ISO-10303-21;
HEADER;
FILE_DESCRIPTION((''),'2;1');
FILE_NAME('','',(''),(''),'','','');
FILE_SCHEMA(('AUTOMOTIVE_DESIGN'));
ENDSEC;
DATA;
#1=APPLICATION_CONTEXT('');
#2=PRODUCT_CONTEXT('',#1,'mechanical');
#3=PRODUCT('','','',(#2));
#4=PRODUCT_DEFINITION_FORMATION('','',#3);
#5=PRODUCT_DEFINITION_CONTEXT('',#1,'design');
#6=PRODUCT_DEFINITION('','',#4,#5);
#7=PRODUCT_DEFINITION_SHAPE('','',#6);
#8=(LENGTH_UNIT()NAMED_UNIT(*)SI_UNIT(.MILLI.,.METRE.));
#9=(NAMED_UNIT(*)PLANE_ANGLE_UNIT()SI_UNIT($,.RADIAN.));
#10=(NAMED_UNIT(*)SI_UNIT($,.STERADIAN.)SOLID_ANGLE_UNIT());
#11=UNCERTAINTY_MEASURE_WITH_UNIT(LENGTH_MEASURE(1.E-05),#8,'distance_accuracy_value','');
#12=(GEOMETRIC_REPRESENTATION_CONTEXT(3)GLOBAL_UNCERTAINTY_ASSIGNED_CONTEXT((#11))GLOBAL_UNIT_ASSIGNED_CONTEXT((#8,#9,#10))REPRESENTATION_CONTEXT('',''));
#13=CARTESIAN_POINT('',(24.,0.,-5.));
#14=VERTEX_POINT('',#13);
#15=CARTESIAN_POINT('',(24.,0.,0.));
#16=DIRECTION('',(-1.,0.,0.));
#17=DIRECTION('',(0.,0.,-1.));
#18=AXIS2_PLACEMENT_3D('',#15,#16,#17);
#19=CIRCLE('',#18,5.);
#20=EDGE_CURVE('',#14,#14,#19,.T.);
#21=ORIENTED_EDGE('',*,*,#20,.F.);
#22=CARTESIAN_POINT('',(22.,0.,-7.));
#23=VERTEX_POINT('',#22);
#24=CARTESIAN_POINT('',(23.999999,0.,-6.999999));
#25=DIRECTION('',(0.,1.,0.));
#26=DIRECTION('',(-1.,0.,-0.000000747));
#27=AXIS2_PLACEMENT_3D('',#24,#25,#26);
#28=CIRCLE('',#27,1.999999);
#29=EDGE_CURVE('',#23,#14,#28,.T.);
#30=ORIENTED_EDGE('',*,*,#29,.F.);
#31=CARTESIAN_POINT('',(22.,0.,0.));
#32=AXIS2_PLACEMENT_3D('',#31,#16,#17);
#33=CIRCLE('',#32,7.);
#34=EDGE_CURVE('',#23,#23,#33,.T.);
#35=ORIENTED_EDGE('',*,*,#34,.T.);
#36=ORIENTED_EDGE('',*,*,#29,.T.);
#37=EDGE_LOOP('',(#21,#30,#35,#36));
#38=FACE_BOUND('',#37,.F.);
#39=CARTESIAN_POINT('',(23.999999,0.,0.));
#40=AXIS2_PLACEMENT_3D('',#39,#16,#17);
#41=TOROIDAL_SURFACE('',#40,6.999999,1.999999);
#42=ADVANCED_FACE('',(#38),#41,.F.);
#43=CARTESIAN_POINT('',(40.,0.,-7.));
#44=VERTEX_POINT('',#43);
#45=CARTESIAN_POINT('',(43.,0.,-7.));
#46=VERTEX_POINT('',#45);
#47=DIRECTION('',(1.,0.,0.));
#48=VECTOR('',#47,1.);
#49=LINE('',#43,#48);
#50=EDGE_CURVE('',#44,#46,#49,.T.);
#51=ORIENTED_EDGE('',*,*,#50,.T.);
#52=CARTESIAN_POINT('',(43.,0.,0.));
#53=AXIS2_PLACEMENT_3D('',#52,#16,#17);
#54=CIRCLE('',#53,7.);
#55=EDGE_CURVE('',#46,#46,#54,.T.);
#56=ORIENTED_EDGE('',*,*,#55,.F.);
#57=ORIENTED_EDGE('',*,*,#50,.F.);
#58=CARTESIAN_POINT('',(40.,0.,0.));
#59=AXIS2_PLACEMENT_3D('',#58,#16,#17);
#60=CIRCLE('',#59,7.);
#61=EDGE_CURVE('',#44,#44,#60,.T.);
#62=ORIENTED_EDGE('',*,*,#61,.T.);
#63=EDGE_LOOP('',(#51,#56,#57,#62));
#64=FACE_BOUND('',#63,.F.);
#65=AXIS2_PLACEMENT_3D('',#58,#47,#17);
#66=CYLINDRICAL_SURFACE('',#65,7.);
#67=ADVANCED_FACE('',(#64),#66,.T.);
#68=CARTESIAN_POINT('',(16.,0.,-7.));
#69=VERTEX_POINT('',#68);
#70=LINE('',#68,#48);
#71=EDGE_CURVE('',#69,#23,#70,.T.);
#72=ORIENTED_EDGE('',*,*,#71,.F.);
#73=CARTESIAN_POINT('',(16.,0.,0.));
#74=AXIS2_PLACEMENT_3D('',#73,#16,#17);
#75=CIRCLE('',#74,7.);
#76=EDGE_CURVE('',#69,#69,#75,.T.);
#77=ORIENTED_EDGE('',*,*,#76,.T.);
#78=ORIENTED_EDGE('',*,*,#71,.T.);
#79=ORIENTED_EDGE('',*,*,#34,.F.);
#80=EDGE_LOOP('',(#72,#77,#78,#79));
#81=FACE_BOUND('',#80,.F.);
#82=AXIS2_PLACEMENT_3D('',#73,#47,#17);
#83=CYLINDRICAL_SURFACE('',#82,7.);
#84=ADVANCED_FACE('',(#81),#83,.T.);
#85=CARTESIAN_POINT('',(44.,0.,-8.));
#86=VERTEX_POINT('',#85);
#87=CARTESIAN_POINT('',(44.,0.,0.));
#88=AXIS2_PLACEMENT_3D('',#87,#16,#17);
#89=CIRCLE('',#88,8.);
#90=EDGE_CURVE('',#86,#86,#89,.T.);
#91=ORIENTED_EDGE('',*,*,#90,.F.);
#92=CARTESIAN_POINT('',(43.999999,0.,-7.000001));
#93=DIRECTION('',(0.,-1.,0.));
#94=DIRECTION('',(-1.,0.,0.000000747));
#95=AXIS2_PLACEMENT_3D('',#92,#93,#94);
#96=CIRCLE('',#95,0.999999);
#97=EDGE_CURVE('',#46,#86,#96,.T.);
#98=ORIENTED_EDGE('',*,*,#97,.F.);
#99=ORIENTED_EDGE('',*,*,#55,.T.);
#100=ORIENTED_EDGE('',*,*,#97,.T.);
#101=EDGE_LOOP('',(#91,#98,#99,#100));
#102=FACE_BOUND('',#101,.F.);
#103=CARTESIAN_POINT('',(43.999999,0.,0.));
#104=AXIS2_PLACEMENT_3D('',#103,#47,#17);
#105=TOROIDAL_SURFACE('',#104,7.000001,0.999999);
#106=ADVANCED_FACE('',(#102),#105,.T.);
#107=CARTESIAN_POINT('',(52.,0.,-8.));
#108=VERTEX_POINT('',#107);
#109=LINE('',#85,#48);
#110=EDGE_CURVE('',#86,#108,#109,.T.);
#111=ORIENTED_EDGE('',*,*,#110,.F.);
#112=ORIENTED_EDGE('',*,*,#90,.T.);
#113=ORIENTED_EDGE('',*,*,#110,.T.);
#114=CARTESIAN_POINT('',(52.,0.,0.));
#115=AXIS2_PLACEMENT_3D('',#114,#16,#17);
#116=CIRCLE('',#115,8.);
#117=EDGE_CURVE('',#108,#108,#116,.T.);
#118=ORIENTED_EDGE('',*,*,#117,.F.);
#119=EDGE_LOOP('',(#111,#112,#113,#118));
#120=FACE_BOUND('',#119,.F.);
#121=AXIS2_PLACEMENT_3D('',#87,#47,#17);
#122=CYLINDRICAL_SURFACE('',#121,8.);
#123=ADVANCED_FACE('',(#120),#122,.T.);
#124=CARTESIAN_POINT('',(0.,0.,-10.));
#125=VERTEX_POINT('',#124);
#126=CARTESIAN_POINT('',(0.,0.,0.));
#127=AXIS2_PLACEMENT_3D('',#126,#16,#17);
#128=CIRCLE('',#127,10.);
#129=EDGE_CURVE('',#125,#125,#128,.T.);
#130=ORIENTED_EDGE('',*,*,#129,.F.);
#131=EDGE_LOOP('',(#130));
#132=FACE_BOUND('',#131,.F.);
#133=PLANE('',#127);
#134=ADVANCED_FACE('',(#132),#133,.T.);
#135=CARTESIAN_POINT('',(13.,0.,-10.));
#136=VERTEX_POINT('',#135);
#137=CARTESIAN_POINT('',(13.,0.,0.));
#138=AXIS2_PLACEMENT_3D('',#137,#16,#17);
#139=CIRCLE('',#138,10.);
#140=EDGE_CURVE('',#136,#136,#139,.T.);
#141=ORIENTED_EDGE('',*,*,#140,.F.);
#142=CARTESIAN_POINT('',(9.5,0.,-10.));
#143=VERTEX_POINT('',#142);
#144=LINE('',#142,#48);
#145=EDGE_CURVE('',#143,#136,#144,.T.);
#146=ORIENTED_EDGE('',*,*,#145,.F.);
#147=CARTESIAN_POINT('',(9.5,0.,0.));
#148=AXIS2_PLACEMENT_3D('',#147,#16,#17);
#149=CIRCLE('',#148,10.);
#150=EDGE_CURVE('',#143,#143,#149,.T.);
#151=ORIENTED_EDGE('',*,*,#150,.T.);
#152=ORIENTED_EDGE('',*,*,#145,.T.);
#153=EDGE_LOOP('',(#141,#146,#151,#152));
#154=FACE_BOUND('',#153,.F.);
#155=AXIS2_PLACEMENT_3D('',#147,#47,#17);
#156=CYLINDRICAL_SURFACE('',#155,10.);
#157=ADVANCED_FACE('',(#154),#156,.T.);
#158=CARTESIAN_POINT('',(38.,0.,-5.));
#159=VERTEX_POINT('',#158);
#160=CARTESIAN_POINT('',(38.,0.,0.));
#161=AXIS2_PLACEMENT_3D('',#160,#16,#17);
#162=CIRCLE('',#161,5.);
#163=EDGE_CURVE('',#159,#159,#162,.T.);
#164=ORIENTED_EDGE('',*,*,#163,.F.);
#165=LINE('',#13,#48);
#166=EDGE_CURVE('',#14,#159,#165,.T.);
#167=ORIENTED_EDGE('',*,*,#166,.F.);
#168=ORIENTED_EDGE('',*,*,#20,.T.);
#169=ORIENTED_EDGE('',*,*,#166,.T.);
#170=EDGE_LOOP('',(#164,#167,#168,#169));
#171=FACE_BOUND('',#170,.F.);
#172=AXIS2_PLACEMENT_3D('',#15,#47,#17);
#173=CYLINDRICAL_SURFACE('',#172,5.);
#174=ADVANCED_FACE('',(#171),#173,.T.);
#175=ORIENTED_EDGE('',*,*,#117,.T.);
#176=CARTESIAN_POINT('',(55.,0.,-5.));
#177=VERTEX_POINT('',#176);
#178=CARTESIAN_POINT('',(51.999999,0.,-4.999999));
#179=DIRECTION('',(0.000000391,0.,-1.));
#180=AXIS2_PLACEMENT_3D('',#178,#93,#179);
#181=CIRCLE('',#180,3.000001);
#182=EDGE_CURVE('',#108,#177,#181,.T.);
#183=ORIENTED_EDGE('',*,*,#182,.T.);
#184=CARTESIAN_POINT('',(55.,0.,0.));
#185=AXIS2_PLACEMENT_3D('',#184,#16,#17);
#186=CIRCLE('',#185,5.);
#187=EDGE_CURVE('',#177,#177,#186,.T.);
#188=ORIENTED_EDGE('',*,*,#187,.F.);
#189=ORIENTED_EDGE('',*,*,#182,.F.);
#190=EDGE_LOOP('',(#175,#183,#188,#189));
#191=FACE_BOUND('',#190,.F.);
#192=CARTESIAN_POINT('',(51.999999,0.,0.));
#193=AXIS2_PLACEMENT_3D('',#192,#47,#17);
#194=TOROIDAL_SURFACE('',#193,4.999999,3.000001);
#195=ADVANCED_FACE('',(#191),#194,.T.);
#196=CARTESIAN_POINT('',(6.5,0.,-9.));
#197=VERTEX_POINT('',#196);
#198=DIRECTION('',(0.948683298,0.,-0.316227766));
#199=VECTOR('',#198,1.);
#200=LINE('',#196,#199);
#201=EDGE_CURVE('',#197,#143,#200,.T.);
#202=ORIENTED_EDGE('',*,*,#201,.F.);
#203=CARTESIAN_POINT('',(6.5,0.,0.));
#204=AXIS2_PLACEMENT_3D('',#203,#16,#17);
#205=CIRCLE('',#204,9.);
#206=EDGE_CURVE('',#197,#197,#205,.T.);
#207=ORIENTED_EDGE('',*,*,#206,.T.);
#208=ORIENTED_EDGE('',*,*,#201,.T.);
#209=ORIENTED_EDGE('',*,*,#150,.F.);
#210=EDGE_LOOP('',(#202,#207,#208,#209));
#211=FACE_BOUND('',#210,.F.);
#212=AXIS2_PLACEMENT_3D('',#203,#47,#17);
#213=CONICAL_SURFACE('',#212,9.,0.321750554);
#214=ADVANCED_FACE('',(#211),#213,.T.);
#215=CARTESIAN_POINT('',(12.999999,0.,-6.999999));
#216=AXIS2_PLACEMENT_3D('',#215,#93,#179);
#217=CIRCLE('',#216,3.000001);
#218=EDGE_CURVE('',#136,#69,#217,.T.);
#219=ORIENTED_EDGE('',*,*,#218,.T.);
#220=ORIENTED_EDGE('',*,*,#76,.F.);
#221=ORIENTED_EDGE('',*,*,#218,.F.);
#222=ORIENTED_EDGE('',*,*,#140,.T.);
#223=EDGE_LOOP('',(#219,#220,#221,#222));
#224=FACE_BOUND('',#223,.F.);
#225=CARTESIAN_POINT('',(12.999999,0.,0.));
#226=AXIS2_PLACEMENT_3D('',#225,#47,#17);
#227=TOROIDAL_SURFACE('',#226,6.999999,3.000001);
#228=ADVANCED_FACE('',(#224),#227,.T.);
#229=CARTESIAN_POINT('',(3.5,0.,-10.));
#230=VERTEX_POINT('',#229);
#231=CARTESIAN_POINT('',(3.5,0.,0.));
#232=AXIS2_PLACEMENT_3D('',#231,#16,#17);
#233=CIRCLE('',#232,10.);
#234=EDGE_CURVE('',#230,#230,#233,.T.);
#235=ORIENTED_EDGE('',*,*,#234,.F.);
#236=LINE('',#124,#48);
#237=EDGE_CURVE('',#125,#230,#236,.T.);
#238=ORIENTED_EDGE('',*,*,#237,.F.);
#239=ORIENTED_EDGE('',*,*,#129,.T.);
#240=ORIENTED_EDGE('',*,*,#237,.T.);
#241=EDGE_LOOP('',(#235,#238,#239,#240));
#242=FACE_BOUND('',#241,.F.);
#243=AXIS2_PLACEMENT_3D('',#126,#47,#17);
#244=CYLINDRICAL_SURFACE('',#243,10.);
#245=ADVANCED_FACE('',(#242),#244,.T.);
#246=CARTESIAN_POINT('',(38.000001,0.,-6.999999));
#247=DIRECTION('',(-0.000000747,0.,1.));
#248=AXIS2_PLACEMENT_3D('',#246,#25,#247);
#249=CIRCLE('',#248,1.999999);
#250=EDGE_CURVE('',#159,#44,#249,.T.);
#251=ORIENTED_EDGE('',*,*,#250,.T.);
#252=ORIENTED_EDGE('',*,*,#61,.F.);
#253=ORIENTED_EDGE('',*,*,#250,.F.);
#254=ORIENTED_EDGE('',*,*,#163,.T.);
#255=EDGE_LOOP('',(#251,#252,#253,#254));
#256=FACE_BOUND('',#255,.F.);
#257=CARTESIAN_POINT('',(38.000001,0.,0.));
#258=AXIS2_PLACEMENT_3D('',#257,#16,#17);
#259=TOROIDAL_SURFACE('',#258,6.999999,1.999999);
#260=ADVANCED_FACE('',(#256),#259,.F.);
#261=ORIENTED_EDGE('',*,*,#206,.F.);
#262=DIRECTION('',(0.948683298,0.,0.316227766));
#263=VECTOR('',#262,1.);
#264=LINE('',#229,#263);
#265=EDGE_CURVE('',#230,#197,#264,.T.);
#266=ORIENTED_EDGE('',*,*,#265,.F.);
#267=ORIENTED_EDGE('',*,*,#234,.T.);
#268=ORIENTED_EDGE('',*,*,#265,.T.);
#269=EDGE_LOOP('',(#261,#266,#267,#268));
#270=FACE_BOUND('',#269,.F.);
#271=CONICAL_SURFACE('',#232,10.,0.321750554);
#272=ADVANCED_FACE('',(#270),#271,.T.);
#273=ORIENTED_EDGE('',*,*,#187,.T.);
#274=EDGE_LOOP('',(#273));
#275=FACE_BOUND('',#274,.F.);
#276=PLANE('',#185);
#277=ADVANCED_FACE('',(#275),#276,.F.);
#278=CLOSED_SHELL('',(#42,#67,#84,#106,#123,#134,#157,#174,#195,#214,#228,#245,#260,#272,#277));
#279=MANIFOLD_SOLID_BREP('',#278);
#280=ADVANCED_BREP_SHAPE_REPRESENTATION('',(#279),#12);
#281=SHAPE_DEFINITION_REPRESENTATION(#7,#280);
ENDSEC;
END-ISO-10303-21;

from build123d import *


with BuildPart() as f1:
    # F0 (on Front) → F1 (revolve)
    with BuildSketch(Plane.XZ):
        with BuildLine():
            Line((55, 0), (0, 0))
            Line((0, 0), (0, -10))
            Line((0, -10), (3.5, -10))
            Line((3.5, -10), (6.5, -9))
            Line((6.5, -9), (9.5, -10))
            Line((9.5, -10), (13, -10))
            ThreePointArc((13, -10), (15.12132, -9.12132), (16, -7))
            Line((16, -7), (22, -7))
            ThreePointArc((22, -7), (22.585786, -5.585786), (24, -5))
            Line((24, -5), (38, -5))
            ThreePointArc((38, -5), (39.414214, -5.585786), (40, -7))
            Line((40, -7), (43, -7))
            ThreePointArc((43, -7), (43.292893, -7.707107), (44, -8))
            Line((44, -8), (52, -8))
            ThreePointArc((52, -8), (54.12132, -7.12132), (55, -5))
            Line((55, -5), (55, 0))
        make_face()
    revolve(axis=Axis((24.909981, 0, 0), (-1, 0, 0)))


solid = f1.part
